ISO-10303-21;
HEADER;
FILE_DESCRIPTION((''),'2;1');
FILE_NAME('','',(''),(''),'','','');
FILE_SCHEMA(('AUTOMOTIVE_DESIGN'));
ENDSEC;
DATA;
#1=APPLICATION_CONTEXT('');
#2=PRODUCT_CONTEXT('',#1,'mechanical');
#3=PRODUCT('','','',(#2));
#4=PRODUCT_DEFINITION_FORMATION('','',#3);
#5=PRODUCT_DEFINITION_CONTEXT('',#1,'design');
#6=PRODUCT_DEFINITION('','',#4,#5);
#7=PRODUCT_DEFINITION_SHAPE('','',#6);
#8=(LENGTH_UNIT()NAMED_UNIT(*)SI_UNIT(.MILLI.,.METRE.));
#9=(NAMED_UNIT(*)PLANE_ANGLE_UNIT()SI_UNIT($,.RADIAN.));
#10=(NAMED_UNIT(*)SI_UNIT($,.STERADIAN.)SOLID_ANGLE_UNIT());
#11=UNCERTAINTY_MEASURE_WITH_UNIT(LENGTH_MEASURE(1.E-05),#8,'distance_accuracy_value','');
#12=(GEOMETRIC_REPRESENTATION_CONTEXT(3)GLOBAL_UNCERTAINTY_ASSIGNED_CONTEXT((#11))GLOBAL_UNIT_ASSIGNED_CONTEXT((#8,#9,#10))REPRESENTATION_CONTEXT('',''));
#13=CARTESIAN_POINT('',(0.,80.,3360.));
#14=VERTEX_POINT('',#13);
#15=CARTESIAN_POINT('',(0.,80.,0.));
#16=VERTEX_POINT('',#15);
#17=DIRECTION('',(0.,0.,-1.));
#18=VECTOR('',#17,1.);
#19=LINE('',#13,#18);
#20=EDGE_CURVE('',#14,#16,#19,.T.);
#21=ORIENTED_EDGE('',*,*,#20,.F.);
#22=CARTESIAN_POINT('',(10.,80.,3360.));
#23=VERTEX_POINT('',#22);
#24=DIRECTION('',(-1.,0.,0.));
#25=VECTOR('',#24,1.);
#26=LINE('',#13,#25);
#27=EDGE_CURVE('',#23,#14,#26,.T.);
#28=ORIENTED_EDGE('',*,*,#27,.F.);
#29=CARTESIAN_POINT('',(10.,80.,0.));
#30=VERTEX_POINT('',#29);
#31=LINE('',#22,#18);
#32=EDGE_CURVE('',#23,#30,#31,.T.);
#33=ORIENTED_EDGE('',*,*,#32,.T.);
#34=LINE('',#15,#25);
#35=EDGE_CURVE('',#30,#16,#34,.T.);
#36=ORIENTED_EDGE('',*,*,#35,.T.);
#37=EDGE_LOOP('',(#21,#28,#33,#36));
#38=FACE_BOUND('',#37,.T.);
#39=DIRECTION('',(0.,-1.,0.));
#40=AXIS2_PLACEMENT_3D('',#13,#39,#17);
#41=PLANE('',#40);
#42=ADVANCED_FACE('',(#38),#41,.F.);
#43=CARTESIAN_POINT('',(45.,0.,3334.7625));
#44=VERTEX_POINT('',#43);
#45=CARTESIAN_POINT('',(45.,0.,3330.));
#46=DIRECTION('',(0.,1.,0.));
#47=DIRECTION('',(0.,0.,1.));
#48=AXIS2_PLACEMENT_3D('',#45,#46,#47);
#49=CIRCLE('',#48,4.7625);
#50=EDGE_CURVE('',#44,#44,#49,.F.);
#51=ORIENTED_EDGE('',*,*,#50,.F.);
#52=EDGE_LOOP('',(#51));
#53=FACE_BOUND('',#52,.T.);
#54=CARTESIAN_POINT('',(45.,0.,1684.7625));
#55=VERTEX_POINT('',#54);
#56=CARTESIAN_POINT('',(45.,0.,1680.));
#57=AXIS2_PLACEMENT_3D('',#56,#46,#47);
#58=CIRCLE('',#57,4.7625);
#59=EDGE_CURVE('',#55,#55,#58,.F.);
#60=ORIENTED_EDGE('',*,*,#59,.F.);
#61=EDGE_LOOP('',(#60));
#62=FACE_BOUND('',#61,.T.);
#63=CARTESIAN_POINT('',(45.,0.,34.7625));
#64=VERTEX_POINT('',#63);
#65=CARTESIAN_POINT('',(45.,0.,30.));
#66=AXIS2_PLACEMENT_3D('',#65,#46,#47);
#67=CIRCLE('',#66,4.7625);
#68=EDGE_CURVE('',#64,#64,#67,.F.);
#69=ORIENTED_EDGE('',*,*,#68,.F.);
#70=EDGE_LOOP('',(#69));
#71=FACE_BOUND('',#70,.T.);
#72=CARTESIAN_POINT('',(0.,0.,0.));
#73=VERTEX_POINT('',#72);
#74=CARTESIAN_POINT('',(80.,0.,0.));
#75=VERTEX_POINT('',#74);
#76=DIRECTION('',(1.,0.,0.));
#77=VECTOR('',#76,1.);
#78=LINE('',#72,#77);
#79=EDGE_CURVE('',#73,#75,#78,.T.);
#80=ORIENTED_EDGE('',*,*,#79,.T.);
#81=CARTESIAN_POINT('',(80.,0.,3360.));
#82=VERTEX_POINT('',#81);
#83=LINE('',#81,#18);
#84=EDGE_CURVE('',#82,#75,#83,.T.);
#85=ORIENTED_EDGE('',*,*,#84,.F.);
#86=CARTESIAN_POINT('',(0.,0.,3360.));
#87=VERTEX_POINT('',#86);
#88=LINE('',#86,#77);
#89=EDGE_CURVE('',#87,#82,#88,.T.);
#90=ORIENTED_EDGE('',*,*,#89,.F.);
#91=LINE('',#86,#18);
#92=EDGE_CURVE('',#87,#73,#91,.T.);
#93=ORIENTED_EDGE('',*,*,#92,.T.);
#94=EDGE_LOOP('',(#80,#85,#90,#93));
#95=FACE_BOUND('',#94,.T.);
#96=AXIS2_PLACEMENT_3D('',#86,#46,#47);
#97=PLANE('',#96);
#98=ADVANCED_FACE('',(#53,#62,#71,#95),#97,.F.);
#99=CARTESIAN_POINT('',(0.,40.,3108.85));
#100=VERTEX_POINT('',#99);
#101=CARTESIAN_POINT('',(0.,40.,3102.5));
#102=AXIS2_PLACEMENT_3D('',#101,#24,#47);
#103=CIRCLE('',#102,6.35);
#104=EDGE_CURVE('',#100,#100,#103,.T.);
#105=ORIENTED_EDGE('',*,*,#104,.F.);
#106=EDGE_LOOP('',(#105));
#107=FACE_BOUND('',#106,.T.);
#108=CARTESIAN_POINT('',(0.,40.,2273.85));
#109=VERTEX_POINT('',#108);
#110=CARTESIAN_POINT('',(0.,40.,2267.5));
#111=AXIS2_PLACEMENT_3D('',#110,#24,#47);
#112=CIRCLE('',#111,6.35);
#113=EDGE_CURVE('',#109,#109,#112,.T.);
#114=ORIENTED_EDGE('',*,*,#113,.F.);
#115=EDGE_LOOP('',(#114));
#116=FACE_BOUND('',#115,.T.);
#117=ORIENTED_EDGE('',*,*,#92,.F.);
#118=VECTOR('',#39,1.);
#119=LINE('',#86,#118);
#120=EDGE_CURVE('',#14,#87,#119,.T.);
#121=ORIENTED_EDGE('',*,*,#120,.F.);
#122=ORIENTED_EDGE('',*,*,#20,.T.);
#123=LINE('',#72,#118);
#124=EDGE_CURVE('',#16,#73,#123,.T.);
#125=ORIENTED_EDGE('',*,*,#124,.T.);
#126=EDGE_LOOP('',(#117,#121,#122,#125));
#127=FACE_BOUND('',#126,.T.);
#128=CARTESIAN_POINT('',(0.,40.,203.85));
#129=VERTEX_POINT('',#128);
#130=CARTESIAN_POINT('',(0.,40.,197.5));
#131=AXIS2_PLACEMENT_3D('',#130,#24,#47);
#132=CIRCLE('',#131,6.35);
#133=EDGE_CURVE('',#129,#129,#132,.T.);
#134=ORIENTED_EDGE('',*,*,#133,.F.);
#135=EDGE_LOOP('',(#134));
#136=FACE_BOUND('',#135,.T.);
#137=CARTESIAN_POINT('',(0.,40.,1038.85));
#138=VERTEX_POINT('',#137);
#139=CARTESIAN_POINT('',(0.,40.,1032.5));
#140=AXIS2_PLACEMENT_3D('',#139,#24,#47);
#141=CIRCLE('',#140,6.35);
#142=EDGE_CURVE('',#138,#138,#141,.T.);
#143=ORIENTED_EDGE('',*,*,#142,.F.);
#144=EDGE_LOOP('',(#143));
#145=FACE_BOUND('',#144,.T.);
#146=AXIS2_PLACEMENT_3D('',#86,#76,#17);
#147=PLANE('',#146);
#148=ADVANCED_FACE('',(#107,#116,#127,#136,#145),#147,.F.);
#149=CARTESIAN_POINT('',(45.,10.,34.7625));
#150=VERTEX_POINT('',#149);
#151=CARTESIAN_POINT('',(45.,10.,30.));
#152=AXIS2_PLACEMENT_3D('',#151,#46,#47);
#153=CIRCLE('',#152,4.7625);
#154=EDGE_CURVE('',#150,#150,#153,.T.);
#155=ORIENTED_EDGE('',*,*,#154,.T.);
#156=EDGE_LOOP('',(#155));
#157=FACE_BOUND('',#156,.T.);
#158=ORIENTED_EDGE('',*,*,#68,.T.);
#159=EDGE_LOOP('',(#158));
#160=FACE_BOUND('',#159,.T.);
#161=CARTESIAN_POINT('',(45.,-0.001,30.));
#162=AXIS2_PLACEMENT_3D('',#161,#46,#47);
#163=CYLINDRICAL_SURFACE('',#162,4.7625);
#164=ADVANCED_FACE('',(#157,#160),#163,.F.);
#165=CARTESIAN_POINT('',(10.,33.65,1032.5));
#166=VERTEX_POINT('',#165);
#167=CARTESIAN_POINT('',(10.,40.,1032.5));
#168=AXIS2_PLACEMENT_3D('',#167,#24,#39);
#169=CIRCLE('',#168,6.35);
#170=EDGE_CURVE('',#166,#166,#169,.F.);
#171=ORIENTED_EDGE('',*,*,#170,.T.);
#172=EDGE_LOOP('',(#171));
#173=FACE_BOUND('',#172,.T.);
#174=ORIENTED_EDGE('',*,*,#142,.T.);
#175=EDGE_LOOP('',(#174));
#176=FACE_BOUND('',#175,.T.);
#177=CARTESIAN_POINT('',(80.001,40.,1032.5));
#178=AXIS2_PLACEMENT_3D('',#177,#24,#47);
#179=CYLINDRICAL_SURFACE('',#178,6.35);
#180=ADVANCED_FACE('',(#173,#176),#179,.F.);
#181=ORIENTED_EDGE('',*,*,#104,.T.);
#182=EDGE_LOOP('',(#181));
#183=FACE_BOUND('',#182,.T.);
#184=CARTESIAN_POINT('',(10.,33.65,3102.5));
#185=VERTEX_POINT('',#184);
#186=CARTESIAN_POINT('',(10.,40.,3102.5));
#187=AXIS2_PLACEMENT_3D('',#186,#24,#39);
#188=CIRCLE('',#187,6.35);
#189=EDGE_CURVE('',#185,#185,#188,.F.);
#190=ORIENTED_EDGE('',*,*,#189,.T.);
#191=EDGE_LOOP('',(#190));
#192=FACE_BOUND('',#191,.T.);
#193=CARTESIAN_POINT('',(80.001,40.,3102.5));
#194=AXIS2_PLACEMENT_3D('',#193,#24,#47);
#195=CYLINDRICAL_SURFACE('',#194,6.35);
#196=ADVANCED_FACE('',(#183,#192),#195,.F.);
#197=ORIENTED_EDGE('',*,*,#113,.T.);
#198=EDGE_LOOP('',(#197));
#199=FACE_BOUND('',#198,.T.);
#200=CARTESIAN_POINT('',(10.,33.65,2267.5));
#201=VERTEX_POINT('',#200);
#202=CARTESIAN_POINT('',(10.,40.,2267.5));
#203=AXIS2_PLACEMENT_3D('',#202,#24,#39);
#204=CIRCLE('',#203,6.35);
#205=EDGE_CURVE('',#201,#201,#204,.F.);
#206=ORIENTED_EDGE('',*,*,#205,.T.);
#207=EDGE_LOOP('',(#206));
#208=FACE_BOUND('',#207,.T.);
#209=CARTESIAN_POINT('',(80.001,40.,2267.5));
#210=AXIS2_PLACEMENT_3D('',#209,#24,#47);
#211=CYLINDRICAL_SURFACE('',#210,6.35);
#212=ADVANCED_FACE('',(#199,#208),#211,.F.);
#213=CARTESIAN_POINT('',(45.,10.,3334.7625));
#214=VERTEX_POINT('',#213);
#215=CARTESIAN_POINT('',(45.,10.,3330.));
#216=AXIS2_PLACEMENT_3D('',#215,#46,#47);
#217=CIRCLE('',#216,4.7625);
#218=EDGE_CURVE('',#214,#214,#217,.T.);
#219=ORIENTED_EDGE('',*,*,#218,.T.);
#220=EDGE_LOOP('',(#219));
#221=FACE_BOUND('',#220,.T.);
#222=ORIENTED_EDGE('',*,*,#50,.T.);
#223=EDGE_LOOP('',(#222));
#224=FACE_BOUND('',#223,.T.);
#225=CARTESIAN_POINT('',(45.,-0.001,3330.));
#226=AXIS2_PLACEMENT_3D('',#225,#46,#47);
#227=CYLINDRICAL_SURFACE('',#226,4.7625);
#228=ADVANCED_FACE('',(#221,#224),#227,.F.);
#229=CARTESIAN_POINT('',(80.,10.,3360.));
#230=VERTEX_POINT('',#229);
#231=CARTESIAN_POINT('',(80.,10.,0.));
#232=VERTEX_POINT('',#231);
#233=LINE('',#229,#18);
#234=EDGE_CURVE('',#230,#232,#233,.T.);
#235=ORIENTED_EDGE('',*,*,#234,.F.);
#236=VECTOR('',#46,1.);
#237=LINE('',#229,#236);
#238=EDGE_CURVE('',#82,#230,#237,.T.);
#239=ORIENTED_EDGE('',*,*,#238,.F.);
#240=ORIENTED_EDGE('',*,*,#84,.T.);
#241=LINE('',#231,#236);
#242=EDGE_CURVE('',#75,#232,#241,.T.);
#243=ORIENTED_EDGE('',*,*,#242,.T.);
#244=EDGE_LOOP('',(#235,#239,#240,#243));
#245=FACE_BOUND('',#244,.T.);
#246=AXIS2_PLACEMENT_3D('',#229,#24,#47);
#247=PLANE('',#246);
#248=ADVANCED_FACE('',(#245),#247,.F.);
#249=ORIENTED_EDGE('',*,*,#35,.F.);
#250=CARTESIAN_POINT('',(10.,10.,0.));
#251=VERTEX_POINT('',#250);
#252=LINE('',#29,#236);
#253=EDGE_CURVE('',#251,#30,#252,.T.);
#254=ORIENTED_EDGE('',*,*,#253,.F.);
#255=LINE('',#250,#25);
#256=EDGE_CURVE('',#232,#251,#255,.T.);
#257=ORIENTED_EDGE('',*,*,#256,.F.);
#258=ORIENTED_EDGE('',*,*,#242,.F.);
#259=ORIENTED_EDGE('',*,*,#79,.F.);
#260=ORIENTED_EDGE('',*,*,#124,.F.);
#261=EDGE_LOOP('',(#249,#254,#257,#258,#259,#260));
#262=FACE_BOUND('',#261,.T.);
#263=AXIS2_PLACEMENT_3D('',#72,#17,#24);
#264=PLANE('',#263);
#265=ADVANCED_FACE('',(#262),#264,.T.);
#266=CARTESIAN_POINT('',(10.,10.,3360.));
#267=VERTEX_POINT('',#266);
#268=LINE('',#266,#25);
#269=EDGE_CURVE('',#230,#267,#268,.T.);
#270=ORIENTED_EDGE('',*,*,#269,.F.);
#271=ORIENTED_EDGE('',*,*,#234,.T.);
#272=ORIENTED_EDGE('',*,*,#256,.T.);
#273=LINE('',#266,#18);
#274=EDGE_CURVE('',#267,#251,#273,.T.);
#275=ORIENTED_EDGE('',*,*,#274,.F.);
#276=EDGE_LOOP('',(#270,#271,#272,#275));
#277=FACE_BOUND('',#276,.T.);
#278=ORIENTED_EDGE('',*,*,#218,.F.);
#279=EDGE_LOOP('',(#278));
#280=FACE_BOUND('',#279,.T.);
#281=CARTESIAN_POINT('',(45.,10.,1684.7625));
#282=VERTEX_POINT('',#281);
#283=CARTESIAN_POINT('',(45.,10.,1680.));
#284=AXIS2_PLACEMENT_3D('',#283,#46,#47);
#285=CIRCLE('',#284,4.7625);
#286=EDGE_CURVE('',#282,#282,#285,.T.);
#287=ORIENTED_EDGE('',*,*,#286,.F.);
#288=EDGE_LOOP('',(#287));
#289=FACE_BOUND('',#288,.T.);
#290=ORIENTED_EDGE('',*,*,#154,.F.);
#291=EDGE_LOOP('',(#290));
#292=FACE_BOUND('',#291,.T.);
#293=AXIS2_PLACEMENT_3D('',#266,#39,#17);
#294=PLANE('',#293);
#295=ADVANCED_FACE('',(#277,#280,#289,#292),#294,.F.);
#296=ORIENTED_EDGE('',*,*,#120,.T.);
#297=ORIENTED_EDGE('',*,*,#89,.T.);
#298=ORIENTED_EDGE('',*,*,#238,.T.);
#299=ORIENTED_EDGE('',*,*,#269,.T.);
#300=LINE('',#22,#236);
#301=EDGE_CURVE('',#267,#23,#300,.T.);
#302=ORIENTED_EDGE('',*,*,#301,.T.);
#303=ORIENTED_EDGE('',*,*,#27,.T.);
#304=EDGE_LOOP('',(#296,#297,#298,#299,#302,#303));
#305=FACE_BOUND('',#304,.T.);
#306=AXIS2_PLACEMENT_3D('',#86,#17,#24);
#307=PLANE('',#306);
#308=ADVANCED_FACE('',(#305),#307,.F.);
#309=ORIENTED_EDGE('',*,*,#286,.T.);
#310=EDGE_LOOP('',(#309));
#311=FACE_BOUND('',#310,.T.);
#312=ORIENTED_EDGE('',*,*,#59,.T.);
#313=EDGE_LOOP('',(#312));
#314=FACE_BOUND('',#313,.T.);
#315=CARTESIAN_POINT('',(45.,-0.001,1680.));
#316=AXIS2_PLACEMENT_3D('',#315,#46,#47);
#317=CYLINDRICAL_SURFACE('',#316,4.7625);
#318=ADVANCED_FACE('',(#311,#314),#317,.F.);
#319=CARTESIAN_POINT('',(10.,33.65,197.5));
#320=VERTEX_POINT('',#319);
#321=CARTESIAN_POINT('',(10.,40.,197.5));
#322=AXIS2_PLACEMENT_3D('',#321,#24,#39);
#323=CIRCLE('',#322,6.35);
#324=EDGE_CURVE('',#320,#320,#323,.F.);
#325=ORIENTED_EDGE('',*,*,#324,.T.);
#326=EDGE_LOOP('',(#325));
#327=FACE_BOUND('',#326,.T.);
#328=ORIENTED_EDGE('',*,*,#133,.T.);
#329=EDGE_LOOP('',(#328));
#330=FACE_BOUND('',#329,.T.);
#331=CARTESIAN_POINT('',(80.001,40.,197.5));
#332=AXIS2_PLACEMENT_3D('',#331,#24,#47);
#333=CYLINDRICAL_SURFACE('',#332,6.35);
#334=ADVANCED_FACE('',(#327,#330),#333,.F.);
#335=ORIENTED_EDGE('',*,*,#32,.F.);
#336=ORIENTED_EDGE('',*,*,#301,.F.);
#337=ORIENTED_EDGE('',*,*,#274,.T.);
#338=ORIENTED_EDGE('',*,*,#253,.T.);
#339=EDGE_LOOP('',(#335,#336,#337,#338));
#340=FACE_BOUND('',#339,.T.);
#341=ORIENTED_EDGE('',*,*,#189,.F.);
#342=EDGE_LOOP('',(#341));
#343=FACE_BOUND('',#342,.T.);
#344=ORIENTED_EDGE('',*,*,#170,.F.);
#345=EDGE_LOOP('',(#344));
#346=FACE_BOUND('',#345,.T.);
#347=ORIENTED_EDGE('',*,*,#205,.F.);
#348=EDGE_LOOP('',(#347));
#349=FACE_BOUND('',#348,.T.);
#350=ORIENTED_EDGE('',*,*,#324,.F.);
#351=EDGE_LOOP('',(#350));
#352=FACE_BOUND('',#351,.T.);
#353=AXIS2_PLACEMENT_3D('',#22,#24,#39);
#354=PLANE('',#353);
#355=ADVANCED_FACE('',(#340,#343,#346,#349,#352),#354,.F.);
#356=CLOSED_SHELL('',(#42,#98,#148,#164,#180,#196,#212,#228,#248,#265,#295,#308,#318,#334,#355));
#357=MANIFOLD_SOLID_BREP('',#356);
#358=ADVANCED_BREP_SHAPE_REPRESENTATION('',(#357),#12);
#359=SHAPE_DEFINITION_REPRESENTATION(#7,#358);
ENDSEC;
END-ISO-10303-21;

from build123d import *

# Parameters (mm, degrees)
SALIENTE_EXTRUIR1_DEPTH = 3360
CORTAR_EXTRUIR1_REACH   = 3363.904
CROQUIS2_R              = 6.35
CORTAR_EXTRUIR2_REACH   = 3363.681
CROQUIS3_R              = 4.7625


with BuildPart() as part:
    # Croquis1 → Saliente-Extruir1 (new body)
    with BuildSketch(Plane.XY):
        Polygon((0, 0), (80, 0), (80, 10), (10, 10), (10, 80), (0, 80), align=None)
    extrude(amount=SALIENTE_EXTRUIR1_DEPTH)

    # Croquis2 → Cortar-Extruir1 (cut, up to next)
    with BuildSketch(Plane.ZY, mode=Mode.PRIVATE) as cortar_extruir1_sk1:
        with Locations((3102.5, 40)):
            Circle(CROQUIS2_R)
    cortar_extruir1_tool1 = extrude(cortar_extruir1_sk1.sketch, amount=-CORTAR_EXTRUIR1_REACH, mode=Mode.PRIVATE) & part.part
    # Croquis2 → Cortar-Extruir1 (cut, up to next)
    with BuildSketch(Plane.ZY, mode=Mode.PRIVATE) as cortar_extruir1_sk2:
        with Locations((197.5, 40)):
            Circle(CROQUIS2_R)
    cortar_extruir1_tool2 = extrude(cortar_extruir1_sk2.sketch, amount=-CORTAR_EXTRUIR1_REACH, mode=Mode.PRIVATE) & part.part
    # Croquis2 → Cortar-Extruir1 (cut, up to next)
    with BuildSketch(Plane.ZY, mode=Mode.PRIVATE) as cortar_extruir1_sk3:
        with Locations((2267.5, 40)):
            Circle(CROQUIS2_R)
    cortar_extruir1_tool3 = extrude(cortar_extruir1_sk3.sketch, amount=-CORTAR_EXTRUIR1_REACH, mode=Mode.PRIVATE) & part.part
    # Croquis2 → Cortar-Extruir1 (cut, up to next)
    with BuildSketch(Plane.ZY, mode=Mode.PRIVATE) as cortar_extruir1_sk4:
        with Locations((1032.5, 40)):
            Circle(CROQUIS2_R)
    cortar_extruir1_tool4 = extrude(cortar_extruir1_sk4.sketch, amount=-CORTAR_EXTRUIR1_REACH, mode=Mode.PRIVATE) & part.part
    add(cortar_extruir1_tool1.solids().sort_by_distance((0, 40, 3102.5))[0], mode=Mode.SUBTRACT)
    add(cortar_extruir1_tool2.solids().sort_by_distance((0, 40, 197.5))[0], mode=Mode.SUBTRACT)
    add(cortar_extruir1_tool3.solids().sort_by_distance((0, 40, 2267.5))[0], mode=Mode.SUBTRACT)
    add(cortar_extruir1_tool4.solids().sort_by_distance((0, 40, 1032.5))[0], mode=Mode.SUBTRACT)

    # Croquis3 → Cortar-Extruir2 (cut, up to next)
    with BuildSketch(Plane(origin=(0, 10, 0), x_dir=(1, 0, 0), z_dir=(0, 1, 0)), mode=Mode.PRIVATE) as cortar_extruir2_sk1:
        with Locations(Location((45, -3330, 0), (0, 0, 270))):
            Circle(CROQUIS3_R)
    cortar_extruir2_tool1 = extrude(cortar_extruir2_sk1.sketch, amount=-CORTAR_EXTRUIR2_REACH, mode=Mode.PRIVATE) & part.part
    # Croquis3 → Cortar-Extruir2 (cut, up to next)
    with BuildSketch(Plane(origin=(0, 10, 0), x_dir=(1, 0, 0), z_dir=(0, 1, 0)), mode=Mode.PRIVATE) as cortar_extruir2_sk2:
        with Locations(Location((45, -1680, 0), (0, 0, 270))):
            Circle(CROQUIS3_R)
    cortar_extruir2_tool2 = extrude(cortar_extruir2_sk2.sketch, amount=-CORTAR_EXTRUIR2_REACH, mode=Mode.PRIVATE) & part.part
    # Croquis3 → Cortar-Extruir2 (cut, up to next)
    with BuildSketch(Plane(origin=(0, 10, 0), x_dir=(1, 0, 0), z_dir=(0, 1, 0)), mode=Mode.PRIVATE) as cortar_extruir2_sk3:
        with Locations(Location((45, -30, 0), (0, 0, 270))):
            Circle(CROQUIS3_R)
    cortar_extruir2_tool3 = extrude(cortar_extruir2_sk3.sketch, amount=-CORTAR_EXTRUIR2_REACH, mode=Mode.PRIVATE) & part.part
    add(cortar_extruir2_tool1.solids().sort_by_distance((45, 10, 3330))[0], mode=Mode.SUBTRACT)
    add(cortar_extruir2_tool2.solids().sort_by_distance((45, 10, 1680))[0], mode=Mode.SUBTRACT)
    add(cortar_extruir2_tool3.solids().sort_by_distance((45, 10, 30))[0], mode=Mode.SUBTRACT)


solid = part.part
